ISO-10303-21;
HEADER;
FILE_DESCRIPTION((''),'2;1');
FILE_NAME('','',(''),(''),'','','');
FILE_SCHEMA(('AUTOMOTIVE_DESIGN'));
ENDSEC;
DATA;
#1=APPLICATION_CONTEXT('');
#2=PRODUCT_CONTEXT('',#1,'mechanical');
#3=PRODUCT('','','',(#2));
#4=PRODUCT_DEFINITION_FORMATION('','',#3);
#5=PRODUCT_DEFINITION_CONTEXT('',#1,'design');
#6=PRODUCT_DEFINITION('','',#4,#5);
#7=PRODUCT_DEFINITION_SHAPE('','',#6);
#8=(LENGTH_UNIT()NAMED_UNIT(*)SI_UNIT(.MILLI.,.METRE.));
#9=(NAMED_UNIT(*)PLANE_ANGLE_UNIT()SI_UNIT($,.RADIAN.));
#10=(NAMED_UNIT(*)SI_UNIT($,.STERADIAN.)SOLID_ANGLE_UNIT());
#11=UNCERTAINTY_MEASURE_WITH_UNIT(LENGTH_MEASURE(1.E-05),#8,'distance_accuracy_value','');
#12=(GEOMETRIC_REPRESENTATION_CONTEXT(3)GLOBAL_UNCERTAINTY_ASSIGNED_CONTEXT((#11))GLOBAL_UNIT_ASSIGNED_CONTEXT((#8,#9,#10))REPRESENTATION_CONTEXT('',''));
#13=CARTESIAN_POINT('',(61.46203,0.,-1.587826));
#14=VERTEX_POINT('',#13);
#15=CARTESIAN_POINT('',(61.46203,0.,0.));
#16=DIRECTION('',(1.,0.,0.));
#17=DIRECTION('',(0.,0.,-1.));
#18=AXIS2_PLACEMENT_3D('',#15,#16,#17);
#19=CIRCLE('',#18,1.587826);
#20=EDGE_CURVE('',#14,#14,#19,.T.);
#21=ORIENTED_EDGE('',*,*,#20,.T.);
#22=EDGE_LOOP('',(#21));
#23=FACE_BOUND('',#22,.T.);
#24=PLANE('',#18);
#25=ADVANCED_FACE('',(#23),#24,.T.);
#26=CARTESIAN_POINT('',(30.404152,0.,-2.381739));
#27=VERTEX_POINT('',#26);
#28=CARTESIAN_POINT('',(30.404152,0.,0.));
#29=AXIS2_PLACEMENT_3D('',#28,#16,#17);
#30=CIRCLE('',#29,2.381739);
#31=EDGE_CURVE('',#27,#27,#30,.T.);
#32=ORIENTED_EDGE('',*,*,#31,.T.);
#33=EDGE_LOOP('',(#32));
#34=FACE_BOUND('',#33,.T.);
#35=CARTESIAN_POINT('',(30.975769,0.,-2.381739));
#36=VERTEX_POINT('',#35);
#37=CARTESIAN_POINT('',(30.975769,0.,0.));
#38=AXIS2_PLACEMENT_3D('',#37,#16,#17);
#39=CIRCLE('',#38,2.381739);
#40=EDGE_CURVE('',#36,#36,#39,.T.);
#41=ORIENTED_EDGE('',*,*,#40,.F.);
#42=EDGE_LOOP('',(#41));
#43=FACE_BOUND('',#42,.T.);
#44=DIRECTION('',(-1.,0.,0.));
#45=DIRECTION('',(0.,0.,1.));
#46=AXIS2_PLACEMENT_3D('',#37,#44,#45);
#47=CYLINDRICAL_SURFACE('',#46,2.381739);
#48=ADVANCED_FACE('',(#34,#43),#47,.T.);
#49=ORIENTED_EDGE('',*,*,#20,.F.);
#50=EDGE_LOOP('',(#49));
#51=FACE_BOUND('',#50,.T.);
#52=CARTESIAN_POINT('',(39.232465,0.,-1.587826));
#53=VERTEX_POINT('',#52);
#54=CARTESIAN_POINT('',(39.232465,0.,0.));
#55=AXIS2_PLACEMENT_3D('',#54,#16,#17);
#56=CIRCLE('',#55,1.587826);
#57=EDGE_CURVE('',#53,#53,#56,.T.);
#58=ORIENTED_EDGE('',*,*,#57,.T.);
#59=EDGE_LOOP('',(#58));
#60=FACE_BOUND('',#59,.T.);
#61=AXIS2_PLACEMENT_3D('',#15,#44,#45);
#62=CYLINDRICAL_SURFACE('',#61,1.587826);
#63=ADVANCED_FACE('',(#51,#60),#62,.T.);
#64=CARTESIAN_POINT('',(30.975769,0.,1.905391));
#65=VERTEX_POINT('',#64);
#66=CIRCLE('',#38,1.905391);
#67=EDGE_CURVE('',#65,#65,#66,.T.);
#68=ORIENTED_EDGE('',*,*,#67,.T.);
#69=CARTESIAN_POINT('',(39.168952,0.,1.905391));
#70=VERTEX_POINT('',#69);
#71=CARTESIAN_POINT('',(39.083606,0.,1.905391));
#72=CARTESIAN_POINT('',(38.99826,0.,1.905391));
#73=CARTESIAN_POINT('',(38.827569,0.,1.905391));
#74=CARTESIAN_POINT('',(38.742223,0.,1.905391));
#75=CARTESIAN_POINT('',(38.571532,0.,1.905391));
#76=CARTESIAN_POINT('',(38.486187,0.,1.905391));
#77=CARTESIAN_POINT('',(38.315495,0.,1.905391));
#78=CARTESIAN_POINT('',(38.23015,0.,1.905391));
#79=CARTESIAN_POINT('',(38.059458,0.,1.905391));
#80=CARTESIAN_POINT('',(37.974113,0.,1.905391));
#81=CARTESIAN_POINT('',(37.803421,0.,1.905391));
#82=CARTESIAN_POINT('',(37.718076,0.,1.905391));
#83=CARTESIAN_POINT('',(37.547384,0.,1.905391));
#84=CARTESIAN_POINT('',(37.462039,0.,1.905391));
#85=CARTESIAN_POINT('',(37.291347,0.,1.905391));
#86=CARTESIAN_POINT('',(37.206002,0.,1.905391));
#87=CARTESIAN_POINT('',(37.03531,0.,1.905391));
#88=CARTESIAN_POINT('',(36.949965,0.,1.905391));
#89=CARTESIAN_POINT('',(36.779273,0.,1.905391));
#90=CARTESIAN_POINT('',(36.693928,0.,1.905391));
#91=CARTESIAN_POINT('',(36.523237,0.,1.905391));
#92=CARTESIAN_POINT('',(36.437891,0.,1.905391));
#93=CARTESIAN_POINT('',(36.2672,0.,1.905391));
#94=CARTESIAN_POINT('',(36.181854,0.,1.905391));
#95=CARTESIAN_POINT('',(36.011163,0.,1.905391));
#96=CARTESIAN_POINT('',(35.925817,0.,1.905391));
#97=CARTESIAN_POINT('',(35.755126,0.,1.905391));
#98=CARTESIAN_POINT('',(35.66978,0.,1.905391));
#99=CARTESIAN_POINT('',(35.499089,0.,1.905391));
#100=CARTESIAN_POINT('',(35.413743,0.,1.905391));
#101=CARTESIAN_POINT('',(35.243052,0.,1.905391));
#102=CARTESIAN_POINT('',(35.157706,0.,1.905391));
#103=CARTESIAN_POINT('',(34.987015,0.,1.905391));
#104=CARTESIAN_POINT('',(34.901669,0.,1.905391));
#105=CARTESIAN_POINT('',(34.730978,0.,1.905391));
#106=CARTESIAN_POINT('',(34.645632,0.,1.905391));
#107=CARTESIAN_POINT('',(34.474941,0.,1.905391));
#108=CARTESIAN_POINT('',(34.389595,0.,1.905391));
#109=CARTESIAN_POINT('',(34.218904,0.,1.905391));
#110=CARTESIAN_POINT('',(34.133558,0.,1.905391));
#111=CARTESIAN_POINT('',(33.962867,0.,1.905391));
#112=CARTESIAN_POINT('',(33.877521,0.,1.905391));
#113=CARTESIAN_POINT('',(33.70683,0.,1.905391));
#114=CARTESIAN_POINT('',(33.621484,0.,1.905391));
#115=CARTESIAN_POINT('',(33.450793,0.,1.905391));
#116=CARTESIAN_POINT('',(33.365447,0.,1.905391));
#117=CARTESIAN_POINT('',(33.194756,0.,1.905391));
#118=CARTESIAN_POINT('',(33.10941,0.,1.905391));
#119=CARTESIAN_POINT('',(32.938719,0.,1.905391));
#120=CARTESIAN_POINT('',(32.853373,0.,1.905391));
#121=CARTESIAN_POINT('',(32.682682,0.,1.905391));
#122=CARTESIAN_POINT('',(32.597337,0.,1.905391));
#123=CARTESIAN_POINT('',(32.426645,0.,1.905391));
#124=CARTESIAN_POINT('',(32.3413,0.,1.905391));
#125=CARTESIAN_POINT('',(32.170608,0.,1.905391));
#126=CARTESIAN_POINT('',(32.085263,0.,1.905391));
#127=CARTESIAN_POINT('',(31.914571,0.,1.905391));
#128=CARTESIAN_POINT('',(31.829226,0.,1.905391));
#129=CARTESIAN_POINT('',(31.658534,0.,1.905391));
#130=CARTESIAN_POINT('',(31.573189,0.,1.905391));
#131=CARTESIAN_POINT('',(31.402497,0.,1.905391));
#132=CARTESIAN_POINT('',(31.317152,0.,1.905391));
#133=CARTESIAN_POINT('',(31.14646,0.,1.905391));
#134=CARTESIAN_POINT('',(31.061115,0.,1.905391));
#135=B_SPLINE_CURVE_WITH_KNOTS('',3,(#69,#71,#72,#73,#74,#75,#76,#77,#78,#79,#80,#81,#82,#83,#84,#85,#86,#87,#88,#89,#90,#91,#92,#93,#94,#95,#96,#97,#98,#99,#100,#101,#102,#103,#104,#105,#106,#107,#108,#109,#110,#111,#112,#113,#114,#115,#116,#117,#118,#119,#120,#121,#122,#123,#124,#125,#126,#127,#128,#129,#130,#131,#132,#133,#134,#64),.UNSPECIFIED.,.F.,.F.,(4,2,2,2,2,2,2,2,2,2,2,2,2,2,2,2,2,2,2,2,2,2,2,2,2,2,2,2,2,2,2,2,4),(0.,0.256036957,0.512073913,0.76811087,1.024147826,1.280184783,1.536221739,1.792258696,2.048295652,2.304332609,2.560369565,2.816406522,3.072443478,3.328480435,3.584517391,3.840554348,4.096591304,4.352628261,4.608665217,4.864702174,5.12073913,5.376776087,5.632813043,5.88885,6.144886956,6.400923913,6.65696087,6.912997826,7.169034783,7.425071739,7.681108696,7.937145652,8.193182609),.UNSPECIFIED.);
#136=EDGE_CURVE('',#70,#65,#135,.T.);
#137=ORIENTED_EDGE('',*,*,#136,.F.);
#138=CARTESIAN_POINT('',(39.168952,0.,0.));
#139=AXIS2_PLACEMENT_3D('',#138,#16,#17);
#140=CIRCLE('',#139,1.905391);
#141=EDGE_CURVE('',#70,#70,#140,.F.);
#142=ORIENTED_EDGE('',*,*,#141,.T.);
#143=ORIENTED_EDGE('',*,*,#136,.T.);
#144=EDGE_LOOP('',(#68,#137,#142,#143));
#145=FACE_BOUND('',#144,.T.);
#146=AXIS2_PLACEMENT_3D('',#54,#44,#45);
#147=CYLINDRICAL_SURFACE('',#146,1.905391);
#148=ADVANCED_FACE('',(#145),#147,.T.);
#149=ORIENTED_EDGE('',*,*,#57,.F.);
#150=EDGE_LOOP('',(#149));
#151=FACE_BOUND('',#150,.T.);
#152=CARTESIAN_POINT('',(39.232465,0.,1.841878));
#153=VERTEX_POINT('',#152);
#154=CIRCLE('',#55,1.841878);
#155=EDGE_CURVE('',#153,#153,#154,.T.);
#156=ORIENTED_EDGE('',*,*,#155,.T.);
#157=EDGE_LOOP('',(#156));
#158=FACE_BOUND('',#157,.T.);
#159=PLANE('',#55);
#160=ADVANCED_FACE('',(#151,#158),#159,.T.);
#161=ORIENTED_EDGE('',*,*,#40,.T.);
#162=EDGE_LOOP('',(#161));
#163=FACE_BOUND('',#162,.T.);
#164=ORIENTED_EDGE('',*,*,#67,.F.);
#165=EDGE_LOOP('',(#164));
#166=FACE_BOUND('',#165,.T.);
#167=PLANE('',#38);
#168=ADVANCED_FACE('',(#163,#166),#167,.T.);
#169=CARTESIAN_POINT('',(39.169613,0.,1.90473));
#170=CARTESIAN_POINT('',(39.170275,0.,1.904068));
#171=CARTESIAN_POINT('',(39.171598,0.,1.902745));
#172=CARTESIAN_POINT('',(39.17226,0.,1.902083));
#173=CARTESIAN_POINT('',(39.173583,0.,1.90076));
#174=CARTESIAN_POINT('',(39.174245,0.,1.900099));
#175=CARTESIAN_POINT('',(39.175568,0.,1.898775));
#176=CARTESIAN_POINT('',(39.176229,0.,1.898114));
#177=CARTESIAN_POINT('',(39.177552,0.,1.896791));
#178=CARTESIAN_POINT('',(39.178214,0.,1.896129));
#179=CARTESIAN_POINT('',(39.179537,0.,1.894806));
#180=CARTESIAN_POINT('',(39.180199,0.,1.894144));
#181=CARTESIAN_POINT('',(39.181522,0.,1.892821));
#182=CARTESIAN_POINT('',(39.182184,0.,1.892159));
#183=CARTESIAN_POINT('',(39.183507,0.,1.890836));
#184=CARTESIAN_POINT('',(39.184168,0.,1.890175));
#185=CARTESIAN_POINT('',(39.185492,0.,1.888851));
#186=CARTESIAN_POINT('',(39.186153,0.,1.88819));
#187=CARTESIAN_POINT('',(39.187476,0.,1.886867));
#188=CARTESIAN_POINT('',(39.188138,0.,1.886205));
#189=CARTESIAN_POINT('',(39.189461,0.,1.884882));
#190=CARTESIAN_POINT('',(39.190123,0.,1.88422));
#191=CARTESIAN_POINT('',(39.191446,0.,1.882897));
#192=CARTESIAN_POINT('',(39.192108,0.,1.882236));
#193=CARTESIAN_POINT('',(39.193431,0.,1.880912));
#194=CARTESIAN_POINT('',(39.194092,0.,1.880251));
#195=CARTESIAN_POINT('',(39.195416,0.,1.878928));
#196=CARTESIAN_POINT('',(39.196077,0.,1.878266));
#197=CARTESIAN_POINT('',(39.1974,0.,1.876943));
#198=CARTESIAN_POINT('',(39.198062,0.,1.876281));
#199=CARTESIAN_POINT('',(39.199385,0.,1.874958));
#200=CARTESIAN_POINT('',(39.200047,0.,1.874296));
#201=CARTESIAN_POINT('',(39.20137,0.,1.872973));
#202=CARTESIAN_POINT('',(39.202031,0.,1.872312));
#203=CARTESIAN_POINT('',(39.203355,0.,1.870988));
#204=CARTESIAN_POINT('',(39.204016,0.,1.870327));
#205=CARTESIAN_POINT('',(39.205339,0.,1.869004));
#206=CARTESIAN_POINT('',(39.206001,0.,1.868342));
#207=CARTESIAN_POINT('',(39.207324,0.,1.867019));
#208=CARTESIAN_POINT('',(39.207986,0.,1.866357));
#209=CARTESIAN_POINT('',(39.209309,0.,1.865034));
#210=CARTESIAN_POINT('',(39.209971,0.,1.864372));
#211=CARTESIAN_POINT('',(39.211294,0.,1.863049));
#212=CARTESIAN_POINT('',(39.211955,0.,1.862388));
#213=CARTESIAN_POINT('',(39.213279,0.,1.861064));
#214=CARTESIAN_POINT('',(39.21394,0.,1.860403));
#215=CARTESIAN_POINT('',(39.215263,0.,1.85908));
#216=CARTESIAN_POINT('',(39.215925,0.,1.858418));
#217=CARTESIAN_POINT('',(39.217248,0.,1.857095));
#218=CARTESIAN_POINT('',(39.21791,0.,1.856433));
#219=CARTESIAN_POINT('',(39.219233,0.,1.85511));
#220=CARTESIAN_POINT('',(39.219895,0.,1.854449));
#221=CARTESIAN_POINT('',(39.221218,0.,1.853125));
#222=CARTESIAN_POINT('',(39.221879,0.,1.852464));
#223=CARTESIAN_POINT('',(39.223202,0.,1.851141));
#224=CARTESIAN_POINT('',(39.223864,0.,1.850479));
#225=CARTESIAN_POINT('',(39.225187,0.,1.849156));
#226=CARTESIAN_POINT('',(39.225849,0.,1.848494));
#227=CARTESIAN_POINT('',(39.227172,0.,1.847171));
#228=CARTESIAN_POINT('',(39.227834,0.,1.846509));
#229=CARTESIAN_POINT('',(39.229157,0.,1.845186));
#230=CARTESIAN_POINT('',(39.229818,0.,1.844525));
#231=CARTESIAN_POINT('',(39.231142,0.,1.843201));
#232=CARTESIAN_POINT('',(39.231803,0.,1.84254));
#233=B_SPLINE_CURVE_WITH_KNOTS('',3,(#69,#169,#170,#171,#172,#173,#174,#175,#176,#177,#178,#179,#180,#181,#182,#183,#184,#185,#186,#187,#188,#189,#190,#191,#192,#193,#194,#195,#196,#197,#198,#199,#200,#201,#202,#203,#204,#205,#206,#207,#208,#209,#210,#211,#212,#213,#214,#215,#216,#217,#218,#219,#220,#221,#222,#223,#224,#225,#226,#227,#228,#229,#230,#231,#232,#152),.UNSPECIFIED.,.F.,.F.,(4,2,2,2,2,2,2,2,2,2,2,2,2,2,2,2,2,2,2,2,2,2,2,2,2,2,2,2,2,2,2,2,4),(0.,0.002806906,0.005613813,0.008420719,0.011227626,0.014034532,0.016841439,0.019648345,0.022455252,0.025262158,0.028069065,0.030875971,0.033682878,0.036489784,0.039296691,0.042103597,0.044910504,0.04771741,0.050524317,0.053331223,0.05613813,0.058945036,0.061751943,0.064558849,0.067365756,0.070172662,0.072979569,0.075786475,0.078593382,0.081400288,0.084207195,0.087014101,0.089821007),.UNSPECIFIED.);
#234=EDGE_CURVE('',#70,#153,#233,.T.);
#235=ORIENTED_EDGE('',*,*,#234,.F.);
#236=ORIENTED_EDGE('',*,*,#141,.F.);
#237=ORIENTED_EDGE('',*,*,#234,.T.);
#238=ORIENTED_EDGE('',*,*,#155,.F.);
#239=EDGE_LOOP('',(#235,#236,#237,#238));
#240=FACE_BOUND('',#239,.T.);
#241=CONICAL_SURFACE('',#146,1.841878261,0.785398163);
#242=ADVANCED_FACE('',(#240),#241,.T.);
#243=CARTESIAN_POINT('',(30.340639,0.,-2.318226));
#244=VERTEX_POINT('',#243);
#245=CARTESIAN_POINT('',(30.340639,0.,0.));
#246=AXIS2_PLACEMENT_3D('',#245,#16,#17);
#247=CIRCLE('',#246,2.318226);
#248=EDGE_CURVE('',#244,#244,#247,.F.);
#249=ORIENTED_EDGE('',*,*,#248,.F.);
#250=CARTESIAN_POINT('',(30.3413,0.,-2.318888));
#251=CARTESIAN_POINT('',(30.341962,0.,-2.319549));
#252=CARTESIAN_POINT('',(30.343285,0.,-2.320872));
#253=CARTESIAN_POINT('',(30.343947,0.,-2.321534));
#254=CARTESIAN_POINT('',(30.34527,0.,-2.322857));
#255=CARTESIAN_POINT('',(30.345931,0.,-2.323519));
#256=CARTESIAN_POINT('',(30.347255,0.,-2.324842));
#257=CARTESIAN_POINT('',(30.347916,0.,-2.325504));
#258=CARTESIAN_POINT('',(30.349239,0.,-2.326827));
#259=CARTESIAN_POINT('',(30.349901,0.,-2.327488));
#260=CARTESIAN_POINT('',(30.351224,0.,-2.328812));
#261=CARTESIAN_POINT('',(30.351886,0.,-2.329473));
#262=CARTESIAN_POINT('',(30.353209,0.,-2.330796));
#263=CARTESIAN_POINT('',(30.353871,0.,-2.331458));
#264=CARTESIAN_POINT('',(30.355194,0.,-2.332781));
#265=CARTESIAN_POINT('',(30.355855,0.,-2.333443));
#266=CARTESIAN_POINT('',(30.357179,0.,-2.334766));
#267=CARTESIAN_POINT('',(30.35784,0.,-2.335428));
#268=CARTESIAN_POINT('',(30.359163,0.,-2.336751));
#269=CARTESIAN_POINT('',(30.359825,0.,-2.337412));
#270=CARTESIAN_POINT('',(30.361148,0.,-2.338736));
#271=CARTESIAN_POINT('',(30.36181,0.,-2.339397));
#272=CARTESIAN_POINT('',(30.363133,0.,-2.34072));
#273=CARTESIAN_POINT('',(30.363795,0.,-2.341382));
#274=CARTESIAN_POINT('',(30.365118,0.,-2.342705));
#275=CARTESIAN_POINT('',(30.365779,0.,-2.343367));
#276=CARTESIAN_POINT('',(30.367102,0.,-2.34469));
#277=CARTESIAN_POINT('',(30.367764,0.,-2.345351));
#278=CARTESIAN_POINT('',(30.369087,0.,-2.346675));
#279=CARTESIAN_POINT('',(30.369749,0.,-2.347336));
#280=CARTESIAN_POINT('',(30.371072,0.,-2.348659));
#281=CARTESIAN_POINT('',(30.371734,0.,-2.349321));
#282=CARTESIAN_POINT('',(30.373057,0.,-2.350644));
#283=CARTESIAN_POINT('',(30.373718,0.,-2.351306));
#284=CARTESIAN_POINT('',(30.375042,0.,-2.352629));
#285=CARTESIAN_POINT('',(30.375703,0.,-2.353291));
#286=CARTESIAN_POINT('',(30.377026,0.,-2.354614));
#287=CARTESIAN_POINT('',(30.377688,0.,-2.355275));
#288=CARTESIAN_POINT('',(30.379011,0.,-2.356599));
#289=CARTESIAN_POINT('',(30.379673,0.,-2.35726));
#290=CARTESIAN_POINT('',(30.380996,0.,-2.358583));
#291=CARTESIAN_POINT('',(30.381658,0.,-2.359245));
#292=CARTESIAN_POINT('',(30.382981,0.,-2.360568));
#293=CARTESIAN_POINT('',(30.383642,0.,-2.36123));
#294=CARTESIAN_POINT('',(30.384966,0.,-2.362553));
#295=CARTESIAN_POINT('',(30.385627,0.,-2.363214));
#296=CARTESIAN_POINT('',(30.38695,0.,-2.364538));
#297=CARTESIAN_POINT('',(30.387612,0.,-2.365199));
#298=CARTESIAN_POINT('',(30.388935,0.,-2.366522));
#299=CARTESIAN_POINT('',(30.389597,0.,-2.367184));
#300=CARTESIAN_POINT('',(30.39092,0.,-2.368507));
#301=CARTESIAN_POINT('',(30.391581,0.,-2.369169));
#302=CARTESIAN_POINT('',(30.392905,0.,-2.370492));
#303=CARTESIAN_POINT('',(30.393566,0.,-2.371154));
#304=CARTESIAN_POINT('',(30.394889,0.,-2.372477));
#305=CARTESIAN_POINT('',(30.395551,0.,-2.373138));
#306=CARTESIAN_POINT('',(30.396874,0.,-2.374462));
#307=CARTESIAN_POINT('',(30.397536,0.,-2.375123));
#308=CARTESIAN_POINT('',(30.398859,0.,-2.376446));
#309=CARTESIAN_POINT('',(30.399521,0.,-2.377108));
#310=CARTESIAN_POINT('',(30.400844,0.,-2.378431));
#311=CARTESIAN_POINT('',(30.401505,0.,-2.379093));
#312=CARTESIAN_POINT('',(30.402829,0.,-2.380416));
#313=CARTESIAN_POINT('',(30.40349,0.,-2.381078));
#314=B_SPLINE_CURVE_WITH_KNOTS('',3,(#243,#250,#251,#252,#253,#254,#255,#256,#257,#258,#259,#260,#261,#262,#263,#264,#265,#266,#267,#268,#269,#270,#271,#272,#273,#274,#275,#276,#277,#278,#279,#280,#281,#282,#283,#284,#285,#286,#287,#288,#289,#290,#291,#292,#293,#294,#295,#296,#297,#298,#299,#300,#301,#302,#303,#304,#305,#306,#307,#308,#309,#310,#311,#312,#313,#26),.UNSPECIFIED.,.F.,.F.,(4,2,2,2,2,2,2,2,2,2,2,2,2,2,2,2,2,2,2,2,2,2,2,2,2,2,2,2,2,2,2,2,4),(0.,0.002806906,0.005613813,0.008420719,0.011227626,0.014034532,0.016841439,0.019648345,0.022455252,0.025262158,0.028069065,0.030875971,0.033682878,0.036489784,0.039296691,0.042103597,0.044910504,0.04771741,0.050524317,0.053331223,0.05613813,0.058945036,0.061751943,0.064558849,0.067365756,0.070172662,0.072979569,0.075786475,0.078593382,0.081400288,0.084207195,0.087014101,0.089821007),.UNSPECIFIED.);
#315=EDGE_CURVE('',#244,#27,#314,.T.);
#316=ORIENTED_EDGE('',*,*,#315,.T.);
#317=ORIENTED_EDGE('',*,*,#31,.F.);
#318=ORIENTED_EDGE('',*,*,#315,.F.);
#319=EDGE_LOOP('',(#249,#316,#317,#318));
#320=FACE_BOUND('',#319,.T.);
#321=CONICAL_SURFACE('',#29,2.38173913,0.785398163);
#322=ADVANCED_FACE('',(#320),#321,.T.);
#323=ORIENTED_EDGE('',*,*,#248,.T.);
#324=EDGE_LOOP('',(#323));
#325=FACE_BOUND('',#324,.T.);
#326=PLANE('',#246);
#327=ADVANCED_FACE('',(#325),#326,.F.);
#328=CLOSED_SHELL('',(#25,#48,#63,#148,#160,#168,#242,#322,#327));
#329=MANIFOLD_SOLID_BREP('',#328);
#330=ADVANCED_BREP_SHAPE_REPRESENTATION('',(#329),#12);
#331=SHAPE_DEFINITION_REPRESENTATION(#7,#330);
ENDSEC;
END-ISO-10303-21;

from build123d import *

# Parameters (mm, degrees)
SKETCH1_R           = 7.5
BOSS_EXTRUDE1_DEPTH = 2
SKETCH2_R           = 6
BOSS_EXTRUDE2_DEPTH = 26
SKETCH3_R           = 5
BOSS_EXTRUDE3_DEPTH = 70
CHAMFER1_SIZE       = 0.2
SCALE1_SCALE        = 0.317565217


with BuildPart() as part:
    # Sketch1 → Boss-Extrude1 (new body)
    with BuildSketch(Plane(origin=(0, 0, 0), x_dir=(0, 0, -1), z_dir=(1, 0, 0))):
        Circle(SKETCH1_R)
    extrude(amount=BOSS_EXTRUDE1_DEPTH)

    # Sketch2 → Boss-Extrude2 (add)
    with BuildSketch(Plane(origin=(2, 0, 0), x_dir=(0, 0, -1), z_dir=(1, 0, 0))):
        with Locations(Location((0, 0, 0), (0, 0, 180))):
            Circle(SKETCH2_R)
    extrude(amount=BOSS_EXTRUDE2_DEPTH)

    # Sketch3 → Boss-Extrude3 (add)
    with BuildSketch(Plane(origin=(28, 0, 0), x_dir=(0, 0, -1), z_dir=(1, 0, 0))):
        Circle(SKETCH3_R)
    extrude(amount=BOSS_EXTRUDE3_DEPTH)

    # Chamfer1
    chamfer1_edges = [part.edges().sort_by_distance(p)[0] for p in [
        (0, 0, 7.5),
        (28, 0, -6),
    ]]
    chamfer(chamfer1_edges, length=CHAMFER1_SIZE)


with BuildPart() as part_1:
    # Scale1: scaled about (44.459396685, 0, 0)
    add(part.part.scale(SCALE1_SCALE).moved(Location((30.340638712, 0, 0))))


solid = part_1.part
